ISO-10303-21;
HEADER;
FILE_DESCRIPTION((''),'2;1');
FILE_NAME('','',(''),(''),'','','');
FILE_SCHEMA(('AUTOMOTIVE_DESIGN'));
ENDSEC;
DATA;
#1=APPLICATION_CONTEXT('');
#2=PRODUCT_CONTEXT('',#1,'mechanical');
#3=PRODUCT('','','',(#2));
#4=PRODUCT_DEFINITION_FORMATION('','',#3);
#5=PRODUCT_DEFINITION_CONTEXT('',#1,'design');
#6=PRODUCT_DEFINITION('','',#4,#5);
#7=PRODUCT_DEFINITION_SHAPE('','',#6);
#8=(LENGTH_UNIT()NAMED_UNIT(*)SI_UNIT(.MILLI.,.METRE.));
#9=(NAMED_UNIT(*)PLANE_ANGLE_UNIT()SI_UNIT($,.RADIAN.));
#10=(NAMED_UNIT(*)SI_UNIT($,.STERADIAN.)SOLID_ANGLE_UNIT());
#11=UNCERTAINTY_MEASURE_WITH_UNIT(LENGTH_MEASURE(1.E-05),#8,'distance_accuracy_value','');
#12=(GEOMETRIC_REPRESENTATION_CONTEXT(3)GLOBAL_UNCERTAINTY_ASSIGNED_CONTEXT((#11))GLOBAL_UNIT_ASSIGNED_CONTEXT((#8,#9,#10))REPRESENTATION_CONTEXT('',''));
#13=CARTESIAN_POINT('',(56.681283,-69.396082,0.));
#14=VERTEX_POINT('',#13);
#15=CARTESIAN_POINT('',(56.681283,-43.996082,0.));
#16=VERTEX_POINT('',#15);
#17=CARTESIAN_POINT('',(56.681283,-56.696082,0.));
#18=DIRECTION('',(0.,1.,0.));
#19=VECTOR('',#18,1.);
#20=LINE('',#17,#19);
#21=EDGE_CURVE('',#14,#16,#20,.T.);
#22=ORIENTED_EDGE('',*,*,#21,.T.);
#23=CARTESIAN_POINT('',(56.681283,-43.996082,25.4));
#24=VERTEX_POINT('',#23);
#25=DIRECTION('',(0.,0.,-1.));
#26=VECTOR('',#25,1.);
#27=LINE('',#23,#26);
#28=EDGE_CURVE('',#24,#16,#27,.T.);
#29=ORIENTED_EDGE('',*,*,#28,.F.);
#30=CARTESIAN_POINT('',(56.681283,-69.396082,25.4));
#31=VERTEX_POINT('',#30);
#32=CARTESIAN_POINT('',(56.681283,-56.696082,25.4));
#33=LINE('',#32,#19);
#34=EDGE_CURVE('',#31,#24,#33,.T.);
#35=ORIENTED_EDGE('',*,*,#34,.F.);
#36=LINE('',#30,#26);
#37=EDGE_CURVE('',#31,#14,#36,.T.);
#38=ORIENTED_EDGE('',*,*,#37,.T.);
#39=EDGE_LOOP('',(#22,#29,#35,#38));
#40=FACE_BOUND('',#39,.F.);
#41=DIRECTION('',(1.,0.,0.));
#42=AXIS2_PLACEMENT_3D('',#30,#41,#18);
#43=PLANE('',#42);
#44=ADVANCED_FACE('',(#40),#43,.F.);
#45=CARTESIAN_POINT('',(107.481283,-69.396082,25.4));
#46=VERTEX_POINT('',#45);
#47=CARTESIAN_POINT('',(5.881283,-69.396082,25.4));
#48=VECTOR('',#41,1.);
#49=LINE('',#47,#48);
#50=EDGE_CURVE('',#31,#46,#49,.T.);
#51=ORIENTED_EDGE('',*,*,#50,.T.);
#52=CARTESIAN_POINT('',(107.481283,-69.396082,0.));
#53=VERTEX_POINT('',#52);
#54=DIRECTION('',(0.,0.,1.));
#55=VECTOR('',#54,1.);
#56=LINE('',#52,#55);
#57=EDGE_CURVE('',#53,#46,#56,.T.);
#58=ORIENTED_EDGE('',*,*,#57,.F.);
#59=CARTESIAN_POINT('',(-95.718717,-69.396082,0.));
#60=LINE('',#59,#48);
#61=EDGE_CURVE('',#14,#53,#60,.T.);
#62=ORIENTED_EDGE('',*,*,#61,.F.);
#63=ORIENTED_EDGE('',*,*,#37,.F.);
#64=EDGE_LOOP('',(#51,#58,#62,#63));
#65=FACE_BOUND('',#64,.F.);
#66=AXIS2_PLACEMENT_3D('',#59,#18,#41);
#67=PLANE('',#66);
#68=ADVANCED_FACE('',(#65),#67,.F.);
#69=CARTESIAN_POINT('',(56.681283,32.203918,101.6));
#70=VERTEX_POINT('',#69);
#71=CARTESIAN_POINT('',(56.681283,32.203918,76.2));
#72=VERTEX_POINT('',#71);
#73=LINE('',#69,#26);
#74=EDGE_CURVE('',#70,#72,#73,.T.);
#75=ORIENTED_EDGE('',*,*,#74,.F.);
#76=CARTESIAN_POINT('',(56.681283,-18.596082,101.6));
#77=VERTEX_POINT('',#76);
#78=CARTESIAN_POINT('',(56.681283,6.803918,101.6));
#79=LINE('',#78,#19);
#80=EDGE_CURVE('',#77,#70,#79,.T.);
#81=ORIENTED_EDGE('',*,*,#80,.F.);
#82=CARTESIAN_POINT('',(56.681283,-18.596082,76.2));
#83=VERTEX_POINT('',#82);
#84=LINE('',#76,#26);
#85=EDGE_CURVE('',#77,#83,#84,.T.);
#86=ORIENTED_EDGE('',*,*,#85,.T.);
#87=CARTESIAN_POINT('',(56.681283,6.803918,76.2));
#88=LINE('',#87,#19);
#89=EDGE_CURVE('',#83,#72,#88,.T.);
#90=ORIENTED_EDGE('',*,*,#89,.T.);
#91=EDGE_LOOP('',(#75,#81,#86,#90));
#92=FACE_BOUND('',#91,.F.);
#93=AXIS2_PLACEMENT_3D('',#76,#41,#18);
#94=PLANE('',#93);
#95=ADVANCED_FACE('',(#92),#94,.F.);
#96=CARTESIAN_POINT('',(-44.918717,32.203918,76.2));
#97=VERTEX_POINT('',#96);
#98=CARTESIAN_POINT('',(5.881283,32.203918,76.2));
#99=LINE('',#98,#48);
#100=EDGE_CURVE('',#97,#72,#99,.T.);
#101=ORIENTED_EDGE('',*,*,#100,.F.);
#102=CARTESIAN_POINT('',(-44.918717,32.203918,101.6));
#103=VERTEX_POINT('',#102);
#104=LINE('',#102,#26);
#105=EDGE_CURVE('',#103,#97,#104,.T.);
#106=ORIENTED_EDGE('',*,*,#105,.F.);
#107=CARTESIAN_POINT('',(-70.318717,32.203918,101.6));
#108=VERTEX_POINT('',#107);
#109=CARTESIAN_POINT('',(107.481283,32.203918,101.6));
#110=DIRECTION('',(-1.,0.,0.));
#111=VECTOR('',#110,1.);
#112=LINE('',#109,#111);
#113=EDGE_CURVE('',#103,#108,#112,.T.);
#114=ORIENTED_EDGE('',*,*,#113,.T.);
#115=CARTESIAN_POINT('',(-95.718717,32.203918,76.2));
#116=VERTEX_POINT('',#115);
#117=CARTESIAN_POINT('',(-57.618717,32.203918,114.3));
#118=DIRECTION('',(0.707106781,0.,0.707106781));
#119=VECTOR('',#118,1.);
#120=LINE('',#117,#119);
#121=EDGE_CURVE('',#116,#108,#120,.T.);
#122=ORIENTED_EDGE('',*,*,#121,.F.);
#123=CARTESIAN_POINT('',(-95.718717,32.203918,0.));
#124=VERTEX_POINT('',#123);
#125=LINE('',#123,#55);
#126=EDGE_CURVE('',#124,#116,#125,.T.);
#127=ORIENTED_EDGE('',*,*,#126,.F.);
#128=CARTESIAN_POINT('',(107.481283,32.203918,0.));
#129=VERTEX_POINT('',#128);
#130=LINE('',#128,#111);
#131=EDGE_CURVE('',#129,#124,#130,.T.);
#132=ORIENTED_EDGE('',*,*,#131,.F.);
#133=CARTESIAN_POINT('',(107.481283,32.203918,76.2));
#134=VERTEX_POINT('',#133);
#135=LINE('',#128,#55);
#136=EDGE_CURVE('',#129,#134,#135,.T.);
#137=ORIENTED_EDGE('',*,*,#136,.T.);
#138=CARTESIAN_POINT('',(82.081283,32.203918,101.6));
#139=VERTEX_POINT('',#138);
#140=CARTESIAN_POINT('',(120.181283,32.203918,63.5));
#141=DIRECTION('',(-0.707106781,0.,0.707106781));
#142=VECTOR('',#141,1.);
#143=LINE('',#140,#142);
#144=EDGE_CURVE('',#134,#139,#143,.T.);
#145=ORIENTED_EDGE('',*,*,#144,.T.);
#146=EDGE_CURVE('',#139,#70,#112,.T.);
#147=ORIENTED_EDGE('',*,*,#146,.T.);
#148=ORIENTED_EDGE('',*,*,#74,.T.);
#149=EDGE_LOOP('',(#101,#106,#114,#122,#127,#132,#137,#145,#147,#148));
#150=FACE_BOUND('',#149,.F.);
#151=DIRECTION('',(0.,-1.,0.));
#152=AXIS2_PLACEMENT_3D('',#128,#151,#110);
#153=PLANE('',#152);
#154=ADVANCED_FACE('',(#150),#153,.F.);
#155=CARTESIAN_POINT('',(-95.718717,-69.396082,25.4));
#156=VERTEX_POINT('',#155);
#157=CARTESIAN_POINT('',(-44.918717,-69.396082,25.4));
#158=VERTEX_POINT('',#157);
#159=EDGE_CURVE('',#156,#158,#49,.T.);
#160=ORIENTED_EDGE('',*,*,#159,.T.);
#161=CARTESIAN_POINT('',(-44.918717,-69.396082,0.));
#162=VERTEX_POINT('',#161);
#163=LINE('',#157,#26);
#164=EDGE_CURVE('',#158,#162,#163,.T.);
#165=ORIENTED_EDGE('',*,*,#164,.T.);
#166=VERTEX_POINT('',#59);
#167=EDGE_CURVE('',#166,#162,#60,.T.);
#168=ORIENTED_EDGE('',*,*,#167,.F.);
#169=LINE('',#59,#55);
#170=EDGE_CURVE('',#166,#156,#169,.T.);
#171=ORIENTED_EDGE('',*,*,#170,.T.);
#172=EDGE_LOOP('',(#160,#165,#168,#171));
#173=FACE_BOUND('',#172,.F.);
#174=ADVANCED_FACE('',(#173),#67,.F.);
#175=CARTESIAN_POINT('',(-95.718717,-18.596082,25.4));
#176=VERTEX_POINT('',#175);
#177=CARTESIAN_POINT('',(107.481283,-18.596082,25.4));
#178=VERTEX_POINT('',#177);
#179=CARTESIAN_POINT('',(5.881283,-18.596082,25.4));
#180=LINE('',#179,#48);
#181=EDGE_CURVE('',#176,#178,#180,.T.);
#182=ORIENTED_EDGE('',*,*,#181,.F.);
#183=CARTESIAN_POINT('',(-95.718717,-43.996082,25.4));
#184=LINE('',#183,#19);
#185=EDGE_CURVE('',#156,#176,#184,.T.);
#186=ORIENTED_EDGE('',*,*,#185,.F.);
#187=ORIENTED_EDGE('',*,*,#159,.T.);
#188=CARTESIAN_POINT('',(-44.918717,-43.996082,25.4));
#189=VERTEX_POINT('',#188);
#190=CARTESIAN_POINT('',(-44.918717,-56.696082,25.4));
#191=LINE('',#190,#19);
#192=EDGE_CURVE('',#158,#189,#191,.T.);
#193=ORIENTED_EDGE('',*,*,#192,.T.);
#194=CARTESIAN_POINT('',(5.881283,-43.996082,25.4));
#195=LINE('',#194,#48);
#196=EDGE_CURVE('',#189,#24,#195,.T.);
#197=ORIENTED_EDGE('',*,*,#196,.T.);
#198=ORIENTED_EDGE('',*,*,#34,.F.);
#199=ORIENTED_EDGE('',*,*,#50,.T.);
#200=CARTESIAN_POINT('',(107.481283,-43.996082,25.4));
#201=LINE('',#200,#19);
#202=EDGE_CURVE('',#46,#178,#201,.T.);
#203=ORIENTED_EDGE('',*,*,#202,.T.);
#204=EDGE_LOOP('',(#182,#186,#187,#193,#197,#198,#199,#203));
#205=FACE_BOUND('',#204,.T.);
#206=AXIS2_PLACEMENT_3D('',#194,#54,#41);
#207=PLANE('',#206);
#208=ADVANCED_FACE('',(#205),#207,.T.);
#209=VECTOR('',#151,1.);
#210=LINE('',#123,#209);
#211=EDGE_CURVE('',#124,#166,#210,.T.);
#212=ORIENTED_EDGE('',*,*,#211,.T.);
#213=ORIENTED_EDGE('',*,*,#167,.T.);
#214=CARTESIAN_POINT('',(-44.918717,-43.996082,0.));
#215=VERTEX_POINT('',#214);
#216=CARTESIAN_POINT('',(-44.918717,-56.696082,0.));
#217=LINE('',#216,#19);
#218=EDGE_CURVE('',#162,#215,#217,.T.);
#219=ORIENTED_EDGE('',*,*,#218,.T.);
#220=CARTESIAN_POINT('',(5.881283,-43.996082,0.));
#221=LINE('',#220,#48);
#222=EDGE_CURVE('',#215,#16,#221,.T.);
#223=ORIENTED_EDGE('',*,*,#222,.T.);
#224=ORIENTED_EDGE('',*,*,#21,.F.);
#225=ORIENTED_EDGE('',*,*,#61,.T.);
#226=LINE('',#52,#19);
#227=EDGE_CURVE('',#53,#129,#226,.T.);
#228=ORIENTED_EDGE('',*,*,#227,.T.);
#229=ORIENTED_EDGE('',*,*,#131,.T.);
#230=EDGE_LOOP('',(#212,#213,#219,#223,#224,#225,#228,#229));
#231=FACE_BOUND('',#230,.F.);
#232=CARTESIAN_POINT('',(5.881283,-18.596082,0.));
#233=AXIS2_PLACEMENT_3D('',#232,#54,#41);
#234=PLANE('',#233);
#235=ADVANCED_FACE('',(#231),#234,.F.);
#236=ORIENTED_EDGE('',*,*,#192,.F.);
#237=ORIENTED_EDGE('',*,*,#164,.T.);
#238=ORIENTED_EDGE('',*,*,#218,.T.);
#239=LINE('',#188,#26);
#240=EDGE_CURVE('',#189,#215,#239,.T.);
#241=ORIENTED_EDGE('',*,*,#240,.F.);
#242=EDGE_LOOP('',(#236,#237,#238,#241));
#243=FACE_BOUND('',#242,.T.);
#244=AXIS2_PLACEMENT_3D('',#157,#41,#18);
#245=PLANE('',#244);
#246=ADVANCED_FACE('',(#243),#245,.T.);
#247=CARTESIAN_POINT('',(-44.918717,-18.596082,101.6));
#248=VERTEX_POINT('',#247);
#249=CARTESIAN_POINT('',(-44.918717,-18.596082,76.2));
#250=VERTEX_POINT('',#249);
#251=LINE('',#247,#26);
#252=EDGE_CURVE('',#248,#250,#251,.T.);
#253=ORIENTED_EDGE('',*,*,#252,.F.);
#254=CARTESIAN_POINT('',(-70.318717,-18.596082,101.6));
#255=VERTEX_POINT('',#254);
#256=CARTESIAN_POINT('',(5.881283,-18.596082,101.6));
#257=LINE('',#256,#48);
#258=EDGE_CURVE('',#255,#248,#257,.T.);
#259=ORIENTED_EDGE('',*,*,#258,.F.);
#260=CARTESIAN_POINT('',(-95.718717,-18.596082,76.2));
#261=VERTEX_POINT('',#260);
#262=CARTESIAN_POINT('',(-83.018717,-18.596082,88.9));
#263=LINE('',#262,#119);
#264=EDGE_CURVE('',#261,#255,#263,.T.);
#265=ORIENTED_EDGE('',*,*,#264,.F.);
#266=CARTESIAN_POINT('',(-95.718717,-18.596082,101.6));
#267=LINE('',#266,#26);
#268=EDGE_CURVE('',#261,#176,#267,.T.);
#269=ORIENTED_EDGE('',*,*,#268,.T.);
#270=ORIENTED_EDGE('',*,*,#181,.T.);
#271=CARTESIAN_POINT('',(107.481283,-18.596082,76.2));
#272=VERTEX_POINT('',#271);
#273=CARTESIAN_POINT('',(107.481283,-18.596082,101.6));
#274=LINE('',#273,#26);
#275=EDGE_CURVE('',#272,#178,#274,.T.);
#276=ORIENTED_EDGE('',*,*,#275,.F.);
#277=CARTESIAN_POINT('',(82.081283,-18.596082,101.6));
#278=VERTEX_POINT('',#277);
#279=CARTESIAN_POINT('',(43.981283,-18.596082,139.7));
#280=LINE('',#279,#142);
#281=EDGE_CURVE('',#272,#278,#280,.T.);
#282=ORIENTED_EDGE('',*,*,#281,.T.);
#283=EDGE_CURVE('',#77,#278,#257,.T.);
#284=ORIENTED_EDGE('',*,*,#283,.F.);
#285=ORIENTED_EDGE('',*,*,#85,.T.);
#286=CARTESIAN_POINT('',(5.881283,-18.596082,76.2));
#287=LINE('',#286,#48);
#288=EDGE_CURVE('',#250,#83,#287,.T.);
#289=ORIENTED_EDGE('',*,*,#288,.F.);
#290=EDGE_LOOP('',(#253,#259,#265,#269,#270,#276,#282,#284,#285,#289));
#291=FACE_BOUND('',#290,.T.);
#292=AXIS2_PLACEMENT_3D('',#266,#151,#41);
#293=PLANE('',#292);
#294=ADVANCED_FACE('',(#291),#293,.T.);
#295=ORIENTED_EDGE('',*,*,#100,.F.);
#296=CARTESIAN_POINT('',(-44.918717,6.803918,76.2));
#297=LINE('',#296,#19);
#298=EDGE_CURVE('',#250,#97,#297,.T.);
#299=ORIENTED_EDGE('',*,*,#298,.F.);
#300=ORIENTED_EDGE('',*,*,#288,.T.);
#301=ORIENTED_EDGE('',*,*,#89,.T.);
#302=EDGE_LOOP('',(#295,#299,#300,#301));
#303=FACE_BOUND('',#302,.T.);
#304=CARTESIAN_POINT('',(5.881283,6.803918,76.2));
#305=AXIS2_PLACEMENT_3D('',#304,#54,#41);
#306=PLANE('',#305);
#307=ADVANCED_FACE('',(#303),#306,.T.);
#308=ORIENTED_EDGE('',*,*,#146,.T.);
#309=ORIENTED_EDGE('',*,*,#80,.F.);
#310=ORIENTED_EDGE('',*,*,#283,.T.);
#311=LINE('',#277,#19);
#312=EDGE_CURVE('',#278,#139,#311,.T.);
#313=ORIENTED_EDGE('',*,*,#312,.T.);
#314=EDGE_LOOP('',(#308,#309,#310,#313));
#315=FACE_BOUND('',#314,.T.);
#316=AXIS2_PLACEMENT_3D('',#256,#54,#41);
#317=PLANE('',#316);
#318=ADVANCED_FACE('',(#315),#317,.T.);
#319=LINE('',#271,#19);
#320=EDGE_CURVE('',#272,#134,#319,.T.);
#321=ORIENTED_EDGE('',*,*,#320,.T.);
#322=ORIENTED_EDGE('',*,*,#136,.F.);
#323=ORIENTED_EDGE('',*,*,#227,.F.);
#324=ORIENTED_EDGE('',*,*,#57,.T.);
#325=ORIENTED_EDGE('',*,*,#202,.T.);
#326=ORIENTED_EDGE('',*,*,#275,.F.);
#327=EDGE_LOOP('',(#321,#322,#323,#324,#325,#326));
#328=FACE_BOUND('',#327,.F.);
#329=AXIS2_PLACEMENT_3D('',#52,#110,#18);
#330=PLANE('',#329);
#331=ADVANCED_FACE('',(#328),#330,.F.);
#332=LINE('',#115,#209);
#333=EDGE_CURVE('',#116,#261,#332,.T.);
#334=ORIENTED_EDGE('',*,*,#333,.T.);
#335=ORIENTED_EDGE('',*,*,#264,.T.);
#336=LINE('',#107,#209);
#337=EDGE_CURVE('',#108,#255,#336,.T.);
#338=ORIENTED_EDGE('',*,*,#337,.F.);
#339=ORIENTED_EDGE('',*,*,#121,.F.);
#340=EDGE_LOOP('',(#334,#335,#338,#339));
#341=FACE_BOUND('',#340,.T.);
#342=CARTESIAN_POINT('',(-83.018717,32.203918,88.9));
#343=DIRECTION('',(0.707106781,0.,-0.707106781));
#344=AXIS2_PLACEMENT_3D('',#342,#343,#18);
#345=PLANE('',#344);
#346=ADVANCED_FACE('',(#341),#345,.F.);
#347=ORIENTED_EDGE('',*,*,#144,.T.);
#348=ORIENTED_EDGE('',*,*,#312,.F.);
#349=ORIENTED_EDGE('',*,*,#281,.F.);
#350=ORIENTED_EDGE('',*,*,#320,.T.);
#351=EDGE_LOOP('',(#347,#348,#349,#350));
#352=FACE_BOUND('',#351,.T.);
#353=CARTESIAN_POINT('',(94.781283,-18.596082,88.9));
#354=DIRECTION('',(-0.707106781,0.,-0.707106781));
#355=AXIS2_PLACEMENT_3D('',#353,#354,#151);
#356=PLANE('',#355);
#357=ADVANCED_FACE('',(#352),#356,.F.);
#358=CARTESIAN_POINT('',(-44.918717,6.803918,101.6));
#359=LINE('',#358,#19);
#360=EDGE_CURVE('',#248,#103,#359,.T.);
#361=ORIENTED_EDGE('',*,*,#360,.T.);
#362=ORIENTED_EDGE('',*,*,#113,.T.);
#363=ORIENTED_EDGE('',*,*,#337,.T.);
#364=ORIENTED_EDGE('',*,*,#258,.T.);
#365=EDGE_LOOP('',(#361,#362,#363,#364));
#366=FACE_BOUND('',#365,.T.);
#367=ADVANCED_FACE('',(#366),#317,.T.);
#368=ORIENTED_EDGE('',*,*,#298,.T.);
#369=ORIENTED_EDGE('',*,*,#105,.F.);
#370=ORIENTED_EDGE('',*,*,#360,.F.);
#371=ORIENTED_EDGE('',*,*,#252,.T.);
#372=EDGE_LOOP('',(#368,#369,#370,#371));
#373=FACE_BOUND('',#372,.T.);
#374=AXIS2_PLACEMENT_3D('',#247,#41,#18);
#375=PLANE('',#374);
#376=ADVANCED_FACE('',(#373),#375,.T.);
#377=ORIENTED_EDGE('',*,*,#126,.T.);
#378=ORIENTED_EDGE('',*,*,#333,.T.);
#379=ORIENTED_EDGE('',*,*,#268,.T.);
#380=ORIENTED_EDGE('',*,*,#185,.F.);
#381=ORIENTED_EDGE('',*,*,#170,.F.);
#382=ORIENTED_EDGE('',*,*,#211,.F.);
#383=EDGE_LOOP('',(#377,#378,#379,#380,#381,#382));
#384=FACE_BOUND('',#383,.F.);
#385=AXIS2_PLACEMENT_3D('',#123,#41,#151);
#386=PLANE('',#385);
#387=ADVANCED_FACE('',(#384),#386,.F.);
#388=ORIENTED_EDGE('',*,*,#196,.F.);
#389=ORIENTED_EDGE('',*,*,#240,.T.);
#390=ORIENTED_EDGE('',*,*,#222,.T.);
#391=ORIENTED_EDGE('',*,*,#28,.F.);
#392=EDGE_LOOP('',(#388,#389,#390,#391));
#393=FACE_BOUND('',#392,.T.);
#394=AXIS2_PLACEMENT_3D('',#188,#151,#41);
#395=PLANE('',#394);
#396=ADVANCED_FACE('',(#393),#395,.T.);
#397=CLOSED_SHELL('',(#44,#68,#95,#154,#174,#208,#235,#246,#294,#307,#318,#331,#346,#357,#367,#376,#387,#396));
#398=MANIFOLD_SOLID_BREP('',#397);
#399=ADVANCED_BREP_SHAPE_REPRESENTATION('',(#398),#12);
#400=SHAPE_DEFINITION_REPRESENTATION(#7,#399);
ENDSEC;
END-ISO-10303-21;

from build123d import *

# Parameters (mm, degrees)
F1_DEPTH = 101.6
F2_W     = 203.2
F2_H     = 50.8
F3_DEPTH = 76.2
F4_W     = 101.6
F4_H     = 25.4
F5_DEPTH = 25.4
F6_W     = 101.6
F6_H     = 50.8
F7_DEPTH = 25.4
F8_SIZE  = 25.4
F9_SIZE  = 25.4


with BuildPart() as f1:
    # F0 (on Top) → F1 (new body)
    with BuildSketch(Plane.XY):
        Polygon((-44.9187165678, 32.2039178327), (-95.7187165678, 32.2039178327), (-95.7187165678, -69.3960821673), (-44.9187165678, -69.3960821673), (56.6812834322, -69.3960821673), (107.4812834322, -69.3960821673), (107.4812834322, 32.2039178327), (56.6812834322, 32.2039178327), align=None)
    extrude(amount=F1_DEPTH)

    # F2 (on face) → F3 (cut)
    with BuildSketch(Plane.XY.offset(101.6)):
        with Locations((5.8812834322, -43.9960821673)):
            Rectangle(F2_W, F2_H)
    extrude(amount=-F3_DEPTH, mode=Mode.SUBTRACT)

    # F4 (on face) → F5 (cut)
    with BuildSketch(Plane.XY.offset(25.4)):
        with Locations((5.8812834322, -56.6960821673)):
            Rectangle(F4_W, F4_H)
    extrude(amount=-F5_DEPTH, mode=Mode.SUBTRACT)

    # F6 (on face) → F7 (cut)
    with BuildSketch(Plane.XY.offset(101.6)):
        with Locations((5.8812834322, 6.8039178327)):
            Rectangle(F6_W, F6_H)
    extrude(amount=-F7_DEPTH, mode=Mode.SUBTRACT)

    # F8
    f8_edges = [f1.edges().sort_by_distance(p)[0] for p in [
        (107.481283, 6.803918, 101.6),
    ]]
    chamfer(f8_edges, length=F8_SIZE)

    # F9
    f9_edges = [f1.edges().sort_by_distance(p)[0] for p in [
        (-95.718717, 6.803918, 101.6),
    ]]
    chamfer(f9_edges, length=F9_SIZE)


solid = f1.part
